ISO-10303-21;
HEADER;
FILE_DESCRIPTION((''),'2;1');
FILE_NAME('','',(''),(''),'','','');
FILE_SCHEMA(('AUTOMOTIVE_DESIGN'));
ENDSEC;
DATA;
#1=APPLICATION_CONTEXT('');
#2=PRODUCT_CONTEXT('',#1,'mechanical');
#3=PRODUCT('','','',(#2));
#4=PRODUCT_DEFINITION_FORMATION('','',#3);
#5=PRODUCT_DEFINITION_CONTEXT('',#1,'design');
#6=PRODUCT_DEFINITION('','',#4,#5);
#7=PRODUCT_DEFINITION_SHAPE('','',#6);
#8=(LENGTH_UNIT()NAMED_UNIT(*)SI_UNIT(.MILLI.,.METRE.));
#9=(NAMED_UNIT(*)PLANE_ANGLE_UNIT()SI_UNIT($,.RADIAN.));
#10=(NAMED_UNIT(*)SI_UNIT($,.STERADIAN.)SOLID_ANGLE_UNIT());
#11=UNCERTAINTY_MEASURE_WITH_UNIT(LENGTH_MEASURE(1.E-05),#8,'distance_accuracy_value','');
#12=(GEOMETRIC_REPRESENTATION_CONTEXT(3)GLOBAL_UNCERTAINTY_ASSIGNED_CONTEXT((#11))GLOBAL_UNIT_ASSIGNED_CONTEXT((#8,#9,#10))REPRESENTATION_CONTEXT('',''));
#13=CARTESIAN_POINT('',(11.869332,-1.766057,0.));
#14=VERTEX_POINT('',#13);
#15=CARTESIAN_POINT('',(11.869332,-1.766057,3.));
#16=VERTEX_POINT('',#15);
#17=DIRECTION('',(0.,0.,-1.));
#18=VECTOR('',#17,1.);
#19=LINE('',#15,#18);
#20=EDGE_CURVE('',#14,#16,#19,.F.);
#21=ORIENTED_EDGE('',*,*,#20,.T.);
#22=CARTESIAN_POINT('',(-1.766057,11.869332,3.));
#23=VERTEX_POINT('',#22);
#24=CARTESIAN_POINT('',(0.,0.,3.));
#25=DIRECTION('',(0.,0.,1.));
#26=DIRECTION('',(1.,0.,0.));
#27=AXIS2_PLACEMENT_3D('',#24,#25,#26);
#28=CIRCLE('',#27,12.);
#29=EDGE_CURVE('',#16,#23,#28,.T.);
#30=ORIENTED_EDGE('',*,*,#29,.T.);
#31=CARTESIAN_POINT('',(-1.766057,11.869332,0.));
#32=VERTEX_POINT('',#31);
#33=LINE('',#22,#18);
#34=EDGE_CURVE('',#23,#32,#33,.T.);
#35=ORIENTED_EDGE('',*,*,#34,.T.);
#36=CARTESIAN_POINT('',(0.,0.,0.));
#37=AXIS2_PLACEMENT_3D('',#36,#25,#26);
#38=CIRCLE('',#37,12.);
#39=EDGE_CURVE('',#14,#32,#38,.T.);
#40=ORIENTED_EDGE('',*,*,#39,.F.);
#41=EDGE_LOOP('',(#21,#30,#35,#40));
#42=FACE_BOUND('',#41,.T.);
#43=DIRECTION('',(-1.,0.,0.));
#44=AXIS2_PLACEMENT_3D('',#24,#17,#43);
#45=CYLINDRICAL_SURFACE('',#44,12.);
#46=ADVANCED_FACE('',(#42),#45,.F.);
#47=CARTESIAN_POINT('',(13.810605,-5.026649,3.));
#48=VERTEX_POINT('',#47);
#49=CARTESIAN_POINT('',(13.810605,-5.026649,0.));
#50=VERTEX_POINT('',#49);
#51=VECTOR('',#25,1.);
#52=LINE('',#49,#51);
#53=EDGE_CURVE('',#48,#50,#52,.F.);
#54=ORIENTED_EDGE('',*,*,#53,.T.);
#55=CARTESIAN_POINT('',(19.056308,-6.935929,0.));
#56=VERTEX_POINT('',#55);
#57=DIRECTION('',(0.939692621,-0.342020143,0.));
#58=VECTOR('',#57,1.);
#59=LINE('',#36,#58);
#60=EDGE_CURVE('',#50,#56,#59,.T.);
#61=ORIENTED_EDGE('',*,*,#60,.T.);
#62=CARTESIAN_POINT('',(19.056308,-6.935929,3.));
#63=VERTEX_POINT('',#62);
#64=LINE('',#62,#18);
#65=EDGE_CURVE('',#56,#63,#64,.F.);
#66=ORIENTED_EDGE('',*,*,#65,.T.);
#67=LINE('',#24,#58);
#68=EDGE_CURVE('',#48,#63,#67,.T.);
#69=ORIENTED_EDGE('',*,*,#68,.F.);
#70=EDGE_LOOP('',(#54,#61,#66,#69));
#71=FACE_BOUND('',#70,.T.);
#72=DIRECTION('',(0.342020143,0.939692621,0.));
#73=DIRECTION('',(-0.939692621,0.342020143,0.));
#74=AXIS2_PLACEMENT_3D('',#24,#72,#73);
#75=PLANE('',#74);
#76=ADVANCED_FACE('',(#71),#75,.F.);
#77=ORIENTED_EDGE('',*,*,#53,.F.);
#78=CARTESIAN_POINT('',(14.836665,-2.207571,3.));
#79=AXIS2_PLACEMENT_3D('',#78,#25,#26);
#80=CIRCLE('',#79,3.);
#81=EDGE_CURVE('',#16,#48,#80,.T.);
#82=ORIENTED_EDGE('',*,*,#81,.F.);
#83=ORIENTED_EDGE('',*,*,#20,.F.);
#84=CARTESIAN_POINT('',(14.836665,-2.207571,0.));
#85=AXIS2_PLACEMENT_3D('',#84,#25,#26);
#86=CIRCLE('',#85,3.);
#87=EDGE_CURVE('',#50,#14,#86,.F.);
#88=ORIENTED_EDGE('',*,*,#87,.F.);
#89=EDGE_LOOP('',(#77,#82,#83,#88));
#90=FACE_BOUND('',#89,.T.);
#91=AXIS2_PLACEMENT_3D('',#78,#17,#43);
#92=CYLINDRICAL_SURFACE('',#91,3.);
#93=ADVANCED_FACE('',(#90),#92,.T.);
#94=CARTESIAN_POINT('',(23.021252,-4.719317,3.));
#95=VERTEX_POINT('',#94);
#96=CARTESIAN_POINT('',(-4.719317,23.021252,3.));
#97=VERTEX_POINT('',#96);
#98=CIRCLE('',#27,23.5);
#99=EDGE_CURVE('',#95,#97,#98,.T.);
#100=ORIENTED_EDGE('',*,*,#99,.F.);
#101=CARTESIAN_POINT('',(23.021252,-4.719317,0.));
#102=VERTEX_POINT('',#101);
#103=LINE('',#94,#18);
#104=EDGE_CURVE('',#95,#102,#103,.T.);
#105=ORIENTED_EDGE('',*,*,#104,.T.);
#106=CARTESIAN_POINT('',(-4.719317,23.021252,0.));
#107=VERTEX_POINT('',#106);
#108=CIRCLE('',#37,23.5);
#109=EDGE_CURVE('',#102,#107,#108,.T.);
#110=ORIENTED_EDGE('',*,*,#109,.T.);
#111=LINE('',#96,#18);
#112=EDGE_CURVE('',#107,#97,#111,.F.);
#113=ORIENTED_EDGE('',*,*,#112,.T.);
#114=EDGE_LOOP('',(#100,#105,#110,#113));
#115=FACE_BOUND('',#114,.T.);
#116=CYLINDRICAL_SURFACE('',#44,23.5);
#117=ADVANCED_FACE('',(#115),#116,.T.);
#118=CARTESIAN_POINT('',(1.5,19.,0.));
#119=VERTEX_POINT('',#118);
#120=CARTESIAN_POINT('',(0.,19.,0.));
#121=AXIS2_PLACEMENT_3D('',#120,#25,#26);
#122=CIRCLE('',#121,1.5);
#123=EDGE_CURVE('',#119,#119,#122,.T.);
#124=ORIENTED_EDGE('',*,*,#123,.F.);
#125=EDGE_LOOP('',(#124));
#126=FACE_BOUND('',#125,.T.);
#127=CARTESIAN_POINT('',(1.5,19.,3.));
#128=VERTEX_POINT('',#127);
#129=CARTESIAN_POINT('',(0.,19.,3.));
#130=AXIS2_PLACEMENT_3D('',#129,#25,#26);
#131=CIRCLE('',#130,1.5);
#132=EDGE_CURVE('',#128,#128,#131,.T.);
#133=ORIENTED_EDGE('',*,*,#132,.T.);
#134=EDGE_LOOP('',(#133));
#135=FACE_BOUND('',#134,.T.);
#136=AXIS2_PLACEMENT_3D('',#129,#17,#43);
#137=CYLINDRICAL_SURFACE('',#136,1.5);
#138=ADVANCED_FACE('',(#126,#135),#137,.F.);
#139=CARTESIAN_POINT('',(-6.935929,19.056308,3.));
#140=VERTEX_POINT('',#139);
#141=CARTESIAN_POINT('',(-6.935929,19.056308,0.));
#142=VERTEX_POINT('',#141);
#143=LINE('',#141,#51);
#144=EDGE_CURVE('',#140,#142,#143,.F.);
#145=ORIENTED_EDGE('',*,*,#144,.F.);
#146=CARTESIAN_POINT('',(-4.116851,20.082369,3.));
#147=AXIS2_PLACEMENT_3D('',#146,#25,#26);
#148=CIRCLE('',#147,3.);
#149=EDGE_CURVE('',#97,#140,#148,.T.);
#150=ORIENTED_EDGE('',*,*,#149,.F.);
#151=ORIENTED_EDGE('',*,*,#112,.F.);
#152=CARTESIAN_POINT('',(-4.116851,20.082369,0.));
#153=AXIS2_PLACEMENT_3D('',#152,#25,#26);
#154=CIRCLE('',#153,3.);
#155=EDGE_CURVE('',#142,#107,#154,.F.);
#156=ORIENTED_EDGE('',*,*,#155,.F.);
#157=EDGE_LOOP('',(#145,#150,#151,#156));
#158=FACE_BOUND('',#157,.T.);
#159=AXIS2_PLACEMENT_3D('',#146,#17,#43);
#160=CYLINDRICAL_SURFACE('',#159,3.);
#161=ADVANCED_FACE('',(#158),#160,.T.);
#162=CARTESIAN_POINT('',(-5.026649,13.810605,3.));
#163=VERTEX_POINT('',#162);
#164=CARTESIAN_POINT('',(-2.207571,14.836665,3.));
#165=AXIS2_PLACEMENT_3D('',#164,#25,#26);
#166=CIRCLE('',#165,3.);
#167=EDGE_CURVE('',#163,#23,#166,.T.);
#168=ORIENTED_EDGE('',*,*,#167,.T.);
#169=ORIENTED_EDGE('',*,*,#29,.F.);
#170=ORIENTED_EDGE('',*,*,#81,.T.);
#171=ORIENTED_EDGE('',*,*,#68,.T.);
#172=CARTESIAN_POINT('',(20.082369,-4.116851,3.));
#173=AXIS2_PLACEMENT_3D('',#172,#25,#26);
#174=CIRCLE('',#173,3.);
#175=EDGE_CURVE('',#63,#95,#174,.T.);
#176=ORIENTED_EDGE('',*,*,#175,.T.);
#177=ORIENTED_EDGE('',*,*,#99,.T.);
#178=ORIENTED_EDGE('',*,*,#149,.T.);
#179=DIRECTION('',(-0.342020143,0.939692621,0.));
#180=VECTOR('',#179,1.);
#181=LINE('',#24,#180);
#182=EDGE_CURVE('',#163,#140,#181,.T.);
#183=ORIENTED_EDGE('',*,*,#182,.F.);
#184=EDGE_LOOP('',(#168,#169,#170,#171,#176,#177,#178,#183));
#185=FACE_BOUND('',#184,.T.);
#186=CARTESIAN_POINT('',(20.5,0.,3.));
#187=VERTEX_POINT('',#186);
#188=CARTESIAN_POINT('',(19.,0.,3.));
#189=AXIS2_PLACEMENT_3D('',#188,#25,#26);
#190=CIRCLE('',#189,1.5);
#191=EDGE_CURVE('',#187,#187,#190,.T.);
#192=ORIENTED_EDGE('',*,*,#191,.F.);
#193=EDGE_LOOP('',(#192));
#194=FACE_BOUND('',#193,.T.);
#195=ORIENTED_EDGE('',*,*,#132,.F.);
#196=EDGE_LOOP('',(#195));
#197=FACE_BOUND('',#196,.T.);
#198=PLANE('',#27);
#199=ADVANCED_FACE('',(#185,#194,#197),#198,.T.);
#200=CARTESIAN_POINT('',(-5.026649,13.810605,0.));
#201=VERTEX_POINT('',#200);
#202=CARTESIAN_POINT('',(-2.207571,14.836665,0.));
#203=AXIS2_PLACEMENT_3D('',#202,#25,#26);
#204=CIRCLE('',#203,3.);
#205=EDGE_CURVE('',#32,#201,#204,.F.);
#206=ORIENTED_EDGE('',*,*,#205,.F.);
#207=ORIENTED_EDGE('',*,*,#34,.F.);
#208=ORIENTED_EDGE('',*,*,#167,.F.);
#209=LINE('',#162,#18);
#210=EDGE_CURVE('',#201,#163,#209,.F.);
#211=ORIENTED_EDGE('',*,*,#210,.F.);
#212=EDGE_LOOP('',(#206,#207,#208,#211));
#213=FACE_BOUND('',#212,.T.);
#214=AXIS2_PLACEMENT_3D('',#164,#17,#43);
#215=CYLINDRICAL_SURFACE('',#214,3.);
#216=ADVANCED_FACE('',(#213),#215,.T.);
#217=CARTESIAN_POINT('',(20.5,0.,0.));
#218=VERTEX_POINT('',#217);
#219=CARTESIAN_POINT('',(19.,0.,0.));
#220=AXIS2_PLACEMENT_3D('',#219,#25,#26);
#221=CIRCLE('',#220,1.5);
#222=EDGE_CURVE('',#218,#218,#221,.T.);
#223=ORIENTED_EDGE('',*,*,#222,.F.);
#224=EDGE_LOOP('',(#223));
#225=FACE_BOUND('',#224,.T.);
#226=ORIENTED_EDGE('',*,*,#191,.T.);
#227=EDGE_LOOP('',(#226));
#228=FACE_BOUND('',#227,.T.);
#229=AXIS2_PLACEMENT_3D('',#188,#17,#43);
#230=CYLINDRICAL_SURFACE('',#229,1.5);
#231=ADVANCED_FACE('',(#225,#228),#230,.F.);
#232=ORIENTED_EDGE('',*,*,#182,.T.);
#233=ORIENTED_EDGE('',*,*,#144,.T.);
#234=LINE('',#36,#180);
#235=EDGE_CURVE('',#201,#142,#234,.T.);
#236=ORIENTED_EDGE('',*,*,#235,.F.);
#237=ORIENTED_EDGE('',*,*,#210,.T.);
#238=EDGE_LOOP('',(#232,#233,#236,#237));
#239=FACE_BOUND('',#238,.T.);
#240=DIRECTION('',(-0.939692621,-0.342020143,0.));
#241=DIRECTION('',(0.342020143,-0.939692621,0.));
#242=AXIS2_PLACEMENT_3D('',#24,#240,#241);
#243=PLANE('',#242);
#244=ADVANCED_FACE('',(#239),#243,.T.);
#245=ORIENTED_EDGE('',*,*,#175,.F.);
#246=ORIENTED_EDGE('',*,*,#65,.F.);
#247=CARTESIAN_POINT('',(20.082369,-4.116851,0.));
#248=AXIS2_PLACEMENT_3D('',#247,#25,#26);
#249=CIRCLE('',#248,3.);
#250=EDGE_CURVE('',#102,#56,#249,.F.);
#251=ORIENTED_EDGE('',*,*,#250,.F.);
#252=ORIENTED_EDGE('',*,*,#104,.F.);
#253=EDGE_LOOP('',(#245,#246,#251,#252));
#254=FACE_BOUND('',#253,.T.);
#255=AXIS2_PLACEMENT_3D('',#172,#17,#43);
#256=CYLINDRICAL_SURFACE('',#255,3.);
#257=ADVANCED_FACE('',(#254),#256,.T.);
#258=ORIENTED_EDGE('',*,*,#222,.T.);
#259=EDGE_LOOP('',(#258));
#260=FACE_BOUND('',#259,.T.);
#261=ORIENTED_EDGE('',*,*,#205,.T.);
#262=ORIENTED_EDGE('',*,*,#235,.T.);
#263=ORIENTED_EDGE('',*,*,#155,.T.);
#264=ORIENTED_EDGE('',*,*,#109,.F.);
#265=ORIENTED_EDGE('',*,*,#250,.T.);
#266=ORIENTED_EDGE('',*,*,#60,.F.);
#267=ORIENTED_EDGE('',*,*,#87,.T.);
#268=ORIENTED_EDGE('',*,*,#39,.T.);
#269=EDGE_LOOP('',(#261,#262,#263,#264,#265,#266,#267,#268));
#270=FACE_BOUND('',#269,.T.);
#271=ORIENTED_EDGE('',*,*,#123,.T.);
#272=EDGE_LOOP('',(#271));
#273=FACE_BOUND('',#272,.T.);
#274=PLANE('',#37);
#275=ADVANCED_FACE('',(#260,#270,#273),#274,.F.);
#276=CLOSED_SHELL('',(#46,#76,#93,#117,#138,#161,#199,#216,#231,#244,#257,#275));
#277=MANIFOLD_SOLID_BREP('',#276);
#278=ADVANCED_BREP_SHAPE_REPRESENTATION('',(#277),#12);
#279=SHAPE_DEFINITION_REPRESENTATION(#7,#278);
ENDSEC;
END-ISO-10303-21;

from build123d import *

# Parameters (mm, degrees)
SKETCH_1_R      = 1.5
EXTRUDE_1_DEPTH = 3
FILLET_1_R      = 3


with BuildPart() as part:
    # 草图1 → 凸台-拉伸1 (new body)
    with BuildSketch(Plane.XY):
        with BuildLine():
            Line((-8.037473368, 22.082776588), (-4.10424172, 11.276311449))
            ThreePointArc((-4.10424172, 11.276311449), (6.882917236, 9.829824531), (12, 0))
            ThreePointArc((12, 0), (11.817693036, -2.083778132), (11.276311449, -4.10424172))
            Line((11.276311449, -4.10424172), (22.082776588, -8.037473368))
            ThreePointArc((22.082776588, -8.037473368), (23.142982196, -4.080732175), (23.5, 0))
            ThreePointArc((23.5, 0), (13.479046254, 19.250073041), (-8.037473368, 22.082776588))
        make_face()
        with Locations((19, 0)):
            Circle(SKETCH_1_R, mode=Mode.SUBTRACT)
        with Locations((0, 19)):
            Circle(SKETCH_1_R, mode=Mode.SUBTRACT)
    extrude(amount=EXTRUDE_1_DEPTH)

    # 圆角1
    fillet_1_edges = [part.edges().sort_by_distance(p)[0] for p in [
        (11.276311449, -4.10424172, 1.5),
        (-4.10424172, 11.276311449, 1.5),
        (-8.037473368, 22.082776588, 1.5),
        (22.082776588, -8.037473368, 1.5),
    ]]
    fillet(fillet_1_edges, radius=FILLET_1_R)


solid = part.part
